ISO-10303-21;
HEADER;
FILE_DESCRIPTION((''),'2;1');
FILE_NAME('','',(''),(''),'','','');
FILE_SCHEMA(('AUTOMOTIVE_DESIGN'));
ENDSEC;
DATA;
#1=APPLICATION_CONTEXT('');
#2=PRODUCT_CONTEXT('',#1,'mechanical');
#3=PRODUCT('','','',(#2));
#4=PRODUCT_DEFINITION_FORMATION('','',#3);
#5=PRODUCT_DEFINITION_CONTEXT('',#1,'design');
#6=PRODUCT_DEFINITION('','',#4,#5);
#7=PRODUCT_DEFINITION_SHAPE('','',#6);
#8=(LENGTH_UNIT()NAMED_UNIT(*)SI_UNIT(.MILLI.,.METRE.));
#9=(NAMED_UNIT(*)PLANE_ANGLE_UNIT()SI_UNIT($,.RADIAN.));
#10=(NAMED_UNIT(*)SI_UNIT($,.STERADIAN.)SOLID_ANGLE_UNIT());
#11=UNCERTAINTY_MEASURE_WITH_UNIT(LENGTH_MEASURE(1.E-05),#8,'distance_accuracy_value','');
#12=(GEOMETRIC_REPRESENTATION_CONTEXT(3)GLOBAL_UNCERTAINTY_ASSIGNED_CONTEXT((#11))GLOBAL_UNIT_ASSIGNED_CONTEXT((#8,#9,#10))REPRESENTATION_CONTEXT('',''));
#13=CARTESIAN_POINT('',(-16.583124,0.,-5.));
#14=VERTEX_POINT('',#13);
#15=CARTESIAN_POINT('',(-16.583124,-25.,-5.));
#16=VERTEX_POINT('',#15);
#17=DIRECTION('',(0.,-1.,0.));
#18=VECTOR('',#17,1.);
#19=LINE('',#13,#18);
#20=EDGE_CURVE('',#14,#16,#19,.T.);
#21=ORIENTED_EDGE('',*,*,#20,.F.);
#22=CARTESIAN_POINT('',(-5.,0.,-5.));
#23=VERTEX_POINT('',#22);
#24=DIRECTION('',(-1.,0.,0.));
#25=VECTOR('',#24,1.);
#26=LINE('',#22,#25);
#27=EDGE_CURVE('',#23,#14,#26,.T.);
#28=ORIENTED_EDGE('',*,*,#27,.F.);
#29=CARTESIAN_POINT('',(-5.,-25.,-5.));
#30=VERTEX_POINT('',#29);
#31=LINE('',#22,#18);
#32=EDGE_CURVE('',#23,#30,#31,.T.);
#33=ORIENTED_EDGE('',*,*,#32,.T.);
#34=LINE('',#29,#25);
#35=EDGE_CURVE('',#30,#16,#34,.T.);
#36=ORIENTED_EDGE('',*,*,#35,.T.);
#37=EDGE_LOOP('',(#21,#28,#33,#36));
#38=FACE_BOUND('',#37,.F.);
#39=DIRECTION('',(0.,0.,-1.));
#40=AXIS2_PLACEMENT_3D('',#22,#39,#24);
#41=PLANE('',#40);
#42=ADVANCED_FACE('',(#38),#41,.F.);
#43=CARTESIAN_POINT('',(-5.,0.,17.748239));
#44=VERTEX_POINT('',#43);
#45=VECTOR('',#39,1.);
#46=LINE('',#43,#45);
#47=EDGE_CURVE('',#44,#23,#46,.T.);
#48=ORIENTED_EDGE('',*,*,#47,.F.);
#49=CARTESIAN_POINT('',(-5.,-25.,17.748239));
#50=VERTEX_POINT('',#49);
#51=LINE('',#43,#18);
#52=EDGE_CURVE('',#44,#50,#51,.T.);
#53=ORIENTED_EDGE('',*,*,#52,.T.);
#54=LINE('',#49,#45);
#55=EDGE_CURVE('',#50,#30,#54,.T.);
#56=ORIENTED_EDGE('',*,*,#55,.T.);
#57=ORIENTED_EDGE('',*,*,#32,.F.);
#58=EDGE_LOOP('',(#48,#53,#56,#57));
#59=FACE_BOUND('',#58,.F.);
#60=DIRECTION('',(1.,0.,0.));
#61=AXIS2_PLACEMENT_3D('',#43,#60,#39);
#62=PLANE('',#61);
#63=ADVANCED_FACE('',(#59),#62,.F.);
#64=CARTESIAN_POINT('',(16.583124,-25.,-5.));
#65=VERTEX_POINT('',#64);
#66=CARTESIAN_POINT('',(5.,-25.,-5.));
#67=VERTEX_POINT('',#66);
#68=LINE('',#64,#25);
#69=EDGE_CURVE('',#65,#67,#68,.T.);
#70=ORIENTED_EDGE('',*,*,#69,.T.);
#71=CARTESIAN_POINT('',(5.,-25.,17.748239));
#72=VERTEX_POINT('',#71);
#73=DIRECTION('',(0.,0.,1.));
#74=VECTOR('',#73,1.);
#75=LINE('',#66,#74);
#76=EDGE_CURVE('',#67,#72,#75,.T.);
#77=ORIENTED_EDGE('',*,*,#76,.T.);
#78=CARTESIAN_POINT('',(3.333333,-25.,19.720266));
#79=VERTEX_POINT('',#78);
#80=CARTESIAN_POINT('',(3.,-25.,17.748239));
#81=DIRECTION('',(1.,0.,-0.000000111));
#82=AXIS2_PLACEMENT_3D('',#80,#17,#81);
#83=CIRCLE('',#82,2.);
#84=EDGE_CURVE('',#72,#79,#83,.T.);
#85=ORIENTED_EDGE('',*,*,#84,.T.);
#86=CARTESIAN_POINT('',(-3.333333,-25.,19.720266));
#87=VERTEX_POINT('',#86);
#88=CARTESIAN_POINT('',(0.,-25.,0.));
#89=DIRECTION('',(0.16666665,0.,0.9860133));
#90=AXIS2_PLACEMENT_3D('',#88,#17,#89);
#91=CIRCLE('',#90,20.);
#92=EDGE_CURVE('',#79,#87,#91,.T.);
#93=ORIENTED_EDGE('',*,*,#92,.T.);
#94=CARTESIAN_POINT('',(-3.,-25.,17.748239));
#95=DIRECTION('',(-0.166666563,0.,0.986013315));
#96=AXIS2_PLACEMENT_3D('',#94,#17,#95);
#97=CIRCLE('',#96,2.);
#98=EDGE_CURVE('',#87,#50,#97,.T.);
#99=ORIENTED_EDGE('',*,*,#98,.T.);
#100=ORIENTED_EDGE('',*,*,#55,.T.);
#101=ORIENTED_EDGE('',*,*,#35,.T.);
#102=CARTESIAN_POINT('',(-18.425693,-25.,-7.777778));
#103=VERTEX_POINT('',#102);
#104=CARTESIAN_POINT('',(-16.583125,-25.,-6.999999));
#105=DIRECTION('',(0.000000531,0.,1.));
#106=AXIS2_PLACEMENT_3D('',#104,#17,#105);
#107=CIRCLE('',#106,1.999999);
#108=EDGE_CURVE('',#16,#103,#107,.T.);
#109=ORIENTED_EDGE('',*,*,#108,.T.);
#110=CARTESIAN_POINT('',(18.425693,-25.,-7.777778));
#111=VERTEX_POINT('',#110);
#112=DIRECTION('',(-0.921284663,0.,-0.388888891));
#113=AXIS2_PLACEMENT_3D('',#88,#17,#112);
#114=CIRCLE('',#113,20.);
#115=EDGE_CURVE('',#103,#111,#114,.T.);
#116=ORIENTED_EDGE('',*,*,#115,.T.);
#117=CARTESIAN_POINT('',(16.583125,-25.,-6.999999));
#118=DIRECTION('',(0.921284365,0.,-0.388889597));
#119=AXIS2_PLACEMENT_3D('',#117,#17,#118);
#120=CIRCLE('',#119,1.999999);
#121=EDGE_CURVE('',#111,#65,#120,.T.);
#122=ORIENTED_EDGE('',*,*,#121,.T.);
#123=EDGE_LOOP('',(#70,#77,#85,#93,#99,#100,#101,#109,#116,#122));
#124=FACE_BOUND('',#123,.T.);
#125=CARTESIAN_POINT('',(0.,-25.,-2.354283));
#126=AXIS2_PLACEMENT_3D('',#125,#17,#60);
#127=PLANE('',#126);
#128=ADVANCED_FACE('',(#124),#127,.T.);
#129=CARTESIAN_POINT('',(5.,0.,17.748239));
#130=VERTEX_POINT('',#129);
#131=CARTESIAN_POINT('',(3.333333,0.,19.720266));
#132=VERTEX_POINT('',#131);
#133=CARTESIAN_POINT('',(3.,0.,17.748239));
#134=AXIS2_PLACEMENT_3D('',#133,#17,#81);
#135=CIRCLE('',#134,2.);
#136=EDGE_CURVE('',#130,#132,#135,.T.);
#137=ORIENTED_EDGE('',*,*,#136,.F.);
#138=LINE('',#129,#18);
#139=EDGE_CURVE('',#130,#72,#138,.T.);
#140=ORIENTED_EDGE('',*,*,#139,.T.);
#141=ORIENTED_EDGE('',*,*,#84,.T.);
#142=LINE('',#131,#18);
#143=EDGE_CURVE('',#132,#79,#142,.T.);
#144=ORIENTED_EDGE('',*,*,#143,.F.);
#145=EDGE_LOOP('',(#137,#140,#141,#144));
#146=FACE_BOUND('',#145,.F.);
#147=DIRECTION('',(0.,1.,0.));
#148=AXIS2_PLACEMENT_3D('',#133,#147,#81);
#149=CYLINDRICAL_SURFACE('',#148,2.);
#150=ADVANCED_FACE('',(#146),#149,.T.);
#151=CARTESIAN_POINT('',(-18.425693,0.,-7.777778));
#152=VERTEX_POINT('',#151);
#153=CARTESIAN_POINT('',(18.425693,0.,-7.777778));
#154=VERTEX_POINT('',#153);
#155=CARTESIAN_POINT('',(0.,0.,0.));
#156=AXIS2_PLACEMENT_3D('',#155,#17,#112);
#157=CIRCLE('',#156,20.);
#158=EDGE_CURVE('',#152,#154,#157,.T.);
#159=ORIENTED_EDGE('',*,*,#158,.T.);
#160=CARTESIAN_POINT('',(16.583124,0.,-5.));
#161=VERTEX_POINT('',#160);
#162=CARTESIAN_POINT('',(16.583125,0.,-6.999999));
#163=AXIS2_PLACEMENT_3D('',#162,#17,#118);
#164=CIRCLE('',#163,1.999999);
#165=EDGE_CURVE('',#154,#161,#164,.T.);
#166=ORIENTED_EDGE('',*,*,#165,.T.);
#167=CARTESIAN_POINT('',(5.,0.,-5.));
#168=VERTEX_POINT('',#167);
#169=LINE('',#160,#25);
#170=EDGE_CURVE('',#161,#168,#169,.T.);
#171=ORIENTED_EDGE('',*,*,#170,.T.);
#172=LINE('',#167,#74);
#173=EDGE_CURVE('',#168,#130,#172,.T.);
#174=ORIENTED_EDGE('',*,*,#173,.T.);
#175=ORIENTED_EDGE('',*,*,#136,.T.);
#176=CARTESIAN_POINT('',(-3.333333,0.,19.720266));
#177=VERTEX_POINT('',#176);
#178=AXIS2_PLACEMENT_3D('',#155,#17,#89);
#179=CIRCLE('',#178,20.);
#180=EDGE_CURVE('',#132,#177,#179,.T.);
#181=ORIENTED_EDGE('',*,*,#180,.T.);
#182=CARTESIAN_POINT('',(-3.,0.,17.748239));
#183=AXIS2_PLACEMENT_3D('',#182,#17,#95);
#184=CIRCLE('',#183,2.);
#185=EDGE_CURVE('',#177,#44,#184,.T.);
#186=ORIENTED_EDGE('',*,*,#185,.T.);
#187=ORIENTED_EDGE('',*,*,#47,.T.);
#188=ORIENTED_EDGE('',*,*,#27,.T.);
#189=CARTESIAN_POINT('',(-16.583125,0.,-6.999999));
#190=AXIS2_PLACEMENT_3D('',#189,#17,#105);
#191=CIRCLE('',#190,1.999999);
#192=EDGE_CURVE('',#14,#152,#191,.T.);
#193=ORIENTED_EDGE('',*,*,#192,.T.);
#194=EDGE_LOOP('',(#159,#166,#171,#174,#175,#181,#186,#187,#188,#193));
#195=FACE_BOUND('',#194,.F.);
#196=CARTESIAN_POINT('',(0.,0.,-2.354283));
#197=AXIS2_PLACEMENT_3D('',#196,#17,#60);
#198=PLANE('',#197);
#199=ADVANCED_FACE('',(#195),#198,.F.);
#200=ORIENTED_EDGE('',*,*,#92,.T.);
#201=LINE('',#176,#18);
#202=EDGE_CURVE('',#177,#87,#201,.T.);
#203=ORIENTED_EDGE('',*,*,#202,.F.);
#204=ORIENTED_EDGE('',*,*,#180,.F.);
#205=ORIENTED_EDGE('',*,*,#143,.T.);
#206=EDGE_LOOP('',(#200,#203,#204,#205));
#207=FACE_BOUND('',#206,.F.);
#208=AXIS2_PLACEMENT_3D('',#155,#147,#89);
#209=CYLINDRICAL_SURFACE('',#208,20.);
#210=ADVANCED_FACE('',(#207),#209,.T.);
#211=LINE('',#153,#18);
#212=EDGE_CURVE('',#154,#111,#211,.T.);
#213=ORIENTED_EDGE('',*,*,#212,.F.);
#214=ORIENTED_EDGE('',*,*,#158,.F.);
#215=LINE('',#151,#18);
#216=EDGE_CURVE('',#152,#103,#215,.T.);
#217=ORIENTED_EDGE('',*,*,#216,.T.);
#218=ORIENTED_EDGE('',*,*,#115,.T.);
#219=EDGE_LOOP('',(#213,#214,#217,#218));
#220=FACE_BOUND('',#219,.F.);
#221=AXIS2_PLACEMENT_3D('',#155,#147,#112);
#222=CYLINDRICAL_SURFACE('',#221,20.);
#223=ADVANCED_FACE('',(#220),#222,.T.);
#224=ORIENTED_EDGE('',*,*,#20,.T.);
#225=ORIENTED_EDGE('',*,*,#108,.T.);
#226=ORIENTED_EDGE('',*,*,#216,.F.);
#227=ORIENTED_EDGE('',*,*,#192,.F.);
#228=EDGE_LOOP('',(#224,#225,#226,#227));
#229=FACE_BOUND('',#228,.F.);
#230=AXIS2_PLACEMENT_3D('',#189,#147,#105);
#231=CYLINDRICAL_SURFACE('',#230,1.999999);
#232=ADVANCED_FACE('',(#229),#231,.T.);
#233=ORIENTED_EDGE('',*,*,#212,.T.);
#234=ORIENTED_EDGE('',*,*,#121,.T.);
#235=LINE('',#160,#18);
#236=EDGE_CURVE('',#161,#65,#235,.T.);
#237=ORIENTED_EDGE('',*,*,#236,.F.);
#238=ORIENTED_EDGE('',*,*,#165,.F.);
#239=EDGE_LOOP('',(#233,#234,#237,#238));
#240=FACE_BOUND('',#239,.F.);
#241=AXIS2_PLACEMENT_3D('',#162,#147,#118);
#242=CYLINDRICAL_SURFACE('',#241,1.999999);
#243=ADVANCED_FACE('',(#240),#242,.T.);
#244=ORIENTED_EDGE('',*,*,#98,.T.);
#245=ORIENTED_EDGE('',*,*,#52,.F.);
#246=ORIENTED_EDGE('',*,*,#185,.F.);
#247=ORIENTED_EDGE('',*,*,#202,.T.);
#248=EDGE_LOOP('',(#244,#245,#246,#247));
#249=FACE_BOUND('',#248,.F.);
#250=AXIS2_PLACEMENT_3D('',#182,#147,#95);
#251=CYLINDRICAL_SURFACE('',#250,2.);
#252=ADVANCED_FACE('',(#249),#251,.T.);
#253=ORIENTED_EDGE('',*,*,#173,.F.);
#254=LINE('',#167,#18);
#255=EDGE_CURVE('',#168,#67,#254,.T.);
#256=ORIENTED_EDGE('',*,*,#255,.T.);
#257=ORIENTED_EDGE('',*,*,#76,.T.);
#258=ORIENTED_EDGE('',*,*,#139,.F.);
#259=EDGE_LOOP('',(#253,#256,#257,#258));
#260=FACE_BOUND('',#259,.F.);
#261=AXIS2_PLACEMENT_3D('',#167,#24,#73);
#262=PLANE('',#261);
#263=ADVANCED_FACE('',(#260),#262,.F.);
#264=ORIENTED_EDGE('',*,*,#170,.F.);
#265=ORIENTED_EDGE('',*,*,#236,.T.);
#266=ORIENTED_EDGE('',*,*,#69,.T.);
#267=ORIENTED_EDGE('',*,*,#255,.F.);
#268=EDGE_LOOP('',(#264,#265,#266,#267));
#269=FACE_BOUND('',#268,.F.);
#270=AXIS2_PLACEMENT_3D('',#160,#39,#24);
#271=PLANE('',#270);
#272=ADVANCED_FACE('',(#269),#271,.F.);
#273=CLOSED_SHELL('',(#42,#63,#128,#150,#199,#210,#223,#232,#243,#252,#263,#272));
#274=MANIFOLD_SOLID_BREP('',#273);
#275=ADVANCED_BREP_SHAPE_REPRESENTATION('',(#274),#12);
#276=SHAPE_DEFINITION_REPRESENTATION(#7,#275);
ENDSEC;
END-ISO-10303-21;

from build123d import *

# Parameters (mm, degrees)
F1_DEPTH = 25


with BuildPart() as f1:
    # F0 (on Front) → F1 (new body)
    with BuildSketch(Plane.XZ):
        with BuildLine():
            ThreePointArc((5, 17.748239), (4.527525, 19.039234), (3.333333, 19.720266))
            ThreePointArc((3.333333, 19.720266), (0, 20), (-3.333333, 19.720266))
            ThreePointArc((-3.333333, 19.720266), (-4.527525, 19.039234), (-5, 17.748239))
            Line((-5, 17.748239), (-5, -5))
            Line((-5, -5), (-16.583124, -5))
            ThreePointArc((-16.583124, -5), (-18.249791, -5.894458), (-18.425693, -7.777778))
            ThreePointArc((-18.425693, -7.777778), (0, -20), (18.425693, -7.777778))
            ThreePointArc((18.425693, -7.777778), (18.249791, -5.894458), (16.583124, -5))
            Line((16.583124, -5), (5, -5))
            Line((5, -5), (5, 17.748239))
        make_face()
    extrude(amount=F1_DEPTH)


solid = f1.part
